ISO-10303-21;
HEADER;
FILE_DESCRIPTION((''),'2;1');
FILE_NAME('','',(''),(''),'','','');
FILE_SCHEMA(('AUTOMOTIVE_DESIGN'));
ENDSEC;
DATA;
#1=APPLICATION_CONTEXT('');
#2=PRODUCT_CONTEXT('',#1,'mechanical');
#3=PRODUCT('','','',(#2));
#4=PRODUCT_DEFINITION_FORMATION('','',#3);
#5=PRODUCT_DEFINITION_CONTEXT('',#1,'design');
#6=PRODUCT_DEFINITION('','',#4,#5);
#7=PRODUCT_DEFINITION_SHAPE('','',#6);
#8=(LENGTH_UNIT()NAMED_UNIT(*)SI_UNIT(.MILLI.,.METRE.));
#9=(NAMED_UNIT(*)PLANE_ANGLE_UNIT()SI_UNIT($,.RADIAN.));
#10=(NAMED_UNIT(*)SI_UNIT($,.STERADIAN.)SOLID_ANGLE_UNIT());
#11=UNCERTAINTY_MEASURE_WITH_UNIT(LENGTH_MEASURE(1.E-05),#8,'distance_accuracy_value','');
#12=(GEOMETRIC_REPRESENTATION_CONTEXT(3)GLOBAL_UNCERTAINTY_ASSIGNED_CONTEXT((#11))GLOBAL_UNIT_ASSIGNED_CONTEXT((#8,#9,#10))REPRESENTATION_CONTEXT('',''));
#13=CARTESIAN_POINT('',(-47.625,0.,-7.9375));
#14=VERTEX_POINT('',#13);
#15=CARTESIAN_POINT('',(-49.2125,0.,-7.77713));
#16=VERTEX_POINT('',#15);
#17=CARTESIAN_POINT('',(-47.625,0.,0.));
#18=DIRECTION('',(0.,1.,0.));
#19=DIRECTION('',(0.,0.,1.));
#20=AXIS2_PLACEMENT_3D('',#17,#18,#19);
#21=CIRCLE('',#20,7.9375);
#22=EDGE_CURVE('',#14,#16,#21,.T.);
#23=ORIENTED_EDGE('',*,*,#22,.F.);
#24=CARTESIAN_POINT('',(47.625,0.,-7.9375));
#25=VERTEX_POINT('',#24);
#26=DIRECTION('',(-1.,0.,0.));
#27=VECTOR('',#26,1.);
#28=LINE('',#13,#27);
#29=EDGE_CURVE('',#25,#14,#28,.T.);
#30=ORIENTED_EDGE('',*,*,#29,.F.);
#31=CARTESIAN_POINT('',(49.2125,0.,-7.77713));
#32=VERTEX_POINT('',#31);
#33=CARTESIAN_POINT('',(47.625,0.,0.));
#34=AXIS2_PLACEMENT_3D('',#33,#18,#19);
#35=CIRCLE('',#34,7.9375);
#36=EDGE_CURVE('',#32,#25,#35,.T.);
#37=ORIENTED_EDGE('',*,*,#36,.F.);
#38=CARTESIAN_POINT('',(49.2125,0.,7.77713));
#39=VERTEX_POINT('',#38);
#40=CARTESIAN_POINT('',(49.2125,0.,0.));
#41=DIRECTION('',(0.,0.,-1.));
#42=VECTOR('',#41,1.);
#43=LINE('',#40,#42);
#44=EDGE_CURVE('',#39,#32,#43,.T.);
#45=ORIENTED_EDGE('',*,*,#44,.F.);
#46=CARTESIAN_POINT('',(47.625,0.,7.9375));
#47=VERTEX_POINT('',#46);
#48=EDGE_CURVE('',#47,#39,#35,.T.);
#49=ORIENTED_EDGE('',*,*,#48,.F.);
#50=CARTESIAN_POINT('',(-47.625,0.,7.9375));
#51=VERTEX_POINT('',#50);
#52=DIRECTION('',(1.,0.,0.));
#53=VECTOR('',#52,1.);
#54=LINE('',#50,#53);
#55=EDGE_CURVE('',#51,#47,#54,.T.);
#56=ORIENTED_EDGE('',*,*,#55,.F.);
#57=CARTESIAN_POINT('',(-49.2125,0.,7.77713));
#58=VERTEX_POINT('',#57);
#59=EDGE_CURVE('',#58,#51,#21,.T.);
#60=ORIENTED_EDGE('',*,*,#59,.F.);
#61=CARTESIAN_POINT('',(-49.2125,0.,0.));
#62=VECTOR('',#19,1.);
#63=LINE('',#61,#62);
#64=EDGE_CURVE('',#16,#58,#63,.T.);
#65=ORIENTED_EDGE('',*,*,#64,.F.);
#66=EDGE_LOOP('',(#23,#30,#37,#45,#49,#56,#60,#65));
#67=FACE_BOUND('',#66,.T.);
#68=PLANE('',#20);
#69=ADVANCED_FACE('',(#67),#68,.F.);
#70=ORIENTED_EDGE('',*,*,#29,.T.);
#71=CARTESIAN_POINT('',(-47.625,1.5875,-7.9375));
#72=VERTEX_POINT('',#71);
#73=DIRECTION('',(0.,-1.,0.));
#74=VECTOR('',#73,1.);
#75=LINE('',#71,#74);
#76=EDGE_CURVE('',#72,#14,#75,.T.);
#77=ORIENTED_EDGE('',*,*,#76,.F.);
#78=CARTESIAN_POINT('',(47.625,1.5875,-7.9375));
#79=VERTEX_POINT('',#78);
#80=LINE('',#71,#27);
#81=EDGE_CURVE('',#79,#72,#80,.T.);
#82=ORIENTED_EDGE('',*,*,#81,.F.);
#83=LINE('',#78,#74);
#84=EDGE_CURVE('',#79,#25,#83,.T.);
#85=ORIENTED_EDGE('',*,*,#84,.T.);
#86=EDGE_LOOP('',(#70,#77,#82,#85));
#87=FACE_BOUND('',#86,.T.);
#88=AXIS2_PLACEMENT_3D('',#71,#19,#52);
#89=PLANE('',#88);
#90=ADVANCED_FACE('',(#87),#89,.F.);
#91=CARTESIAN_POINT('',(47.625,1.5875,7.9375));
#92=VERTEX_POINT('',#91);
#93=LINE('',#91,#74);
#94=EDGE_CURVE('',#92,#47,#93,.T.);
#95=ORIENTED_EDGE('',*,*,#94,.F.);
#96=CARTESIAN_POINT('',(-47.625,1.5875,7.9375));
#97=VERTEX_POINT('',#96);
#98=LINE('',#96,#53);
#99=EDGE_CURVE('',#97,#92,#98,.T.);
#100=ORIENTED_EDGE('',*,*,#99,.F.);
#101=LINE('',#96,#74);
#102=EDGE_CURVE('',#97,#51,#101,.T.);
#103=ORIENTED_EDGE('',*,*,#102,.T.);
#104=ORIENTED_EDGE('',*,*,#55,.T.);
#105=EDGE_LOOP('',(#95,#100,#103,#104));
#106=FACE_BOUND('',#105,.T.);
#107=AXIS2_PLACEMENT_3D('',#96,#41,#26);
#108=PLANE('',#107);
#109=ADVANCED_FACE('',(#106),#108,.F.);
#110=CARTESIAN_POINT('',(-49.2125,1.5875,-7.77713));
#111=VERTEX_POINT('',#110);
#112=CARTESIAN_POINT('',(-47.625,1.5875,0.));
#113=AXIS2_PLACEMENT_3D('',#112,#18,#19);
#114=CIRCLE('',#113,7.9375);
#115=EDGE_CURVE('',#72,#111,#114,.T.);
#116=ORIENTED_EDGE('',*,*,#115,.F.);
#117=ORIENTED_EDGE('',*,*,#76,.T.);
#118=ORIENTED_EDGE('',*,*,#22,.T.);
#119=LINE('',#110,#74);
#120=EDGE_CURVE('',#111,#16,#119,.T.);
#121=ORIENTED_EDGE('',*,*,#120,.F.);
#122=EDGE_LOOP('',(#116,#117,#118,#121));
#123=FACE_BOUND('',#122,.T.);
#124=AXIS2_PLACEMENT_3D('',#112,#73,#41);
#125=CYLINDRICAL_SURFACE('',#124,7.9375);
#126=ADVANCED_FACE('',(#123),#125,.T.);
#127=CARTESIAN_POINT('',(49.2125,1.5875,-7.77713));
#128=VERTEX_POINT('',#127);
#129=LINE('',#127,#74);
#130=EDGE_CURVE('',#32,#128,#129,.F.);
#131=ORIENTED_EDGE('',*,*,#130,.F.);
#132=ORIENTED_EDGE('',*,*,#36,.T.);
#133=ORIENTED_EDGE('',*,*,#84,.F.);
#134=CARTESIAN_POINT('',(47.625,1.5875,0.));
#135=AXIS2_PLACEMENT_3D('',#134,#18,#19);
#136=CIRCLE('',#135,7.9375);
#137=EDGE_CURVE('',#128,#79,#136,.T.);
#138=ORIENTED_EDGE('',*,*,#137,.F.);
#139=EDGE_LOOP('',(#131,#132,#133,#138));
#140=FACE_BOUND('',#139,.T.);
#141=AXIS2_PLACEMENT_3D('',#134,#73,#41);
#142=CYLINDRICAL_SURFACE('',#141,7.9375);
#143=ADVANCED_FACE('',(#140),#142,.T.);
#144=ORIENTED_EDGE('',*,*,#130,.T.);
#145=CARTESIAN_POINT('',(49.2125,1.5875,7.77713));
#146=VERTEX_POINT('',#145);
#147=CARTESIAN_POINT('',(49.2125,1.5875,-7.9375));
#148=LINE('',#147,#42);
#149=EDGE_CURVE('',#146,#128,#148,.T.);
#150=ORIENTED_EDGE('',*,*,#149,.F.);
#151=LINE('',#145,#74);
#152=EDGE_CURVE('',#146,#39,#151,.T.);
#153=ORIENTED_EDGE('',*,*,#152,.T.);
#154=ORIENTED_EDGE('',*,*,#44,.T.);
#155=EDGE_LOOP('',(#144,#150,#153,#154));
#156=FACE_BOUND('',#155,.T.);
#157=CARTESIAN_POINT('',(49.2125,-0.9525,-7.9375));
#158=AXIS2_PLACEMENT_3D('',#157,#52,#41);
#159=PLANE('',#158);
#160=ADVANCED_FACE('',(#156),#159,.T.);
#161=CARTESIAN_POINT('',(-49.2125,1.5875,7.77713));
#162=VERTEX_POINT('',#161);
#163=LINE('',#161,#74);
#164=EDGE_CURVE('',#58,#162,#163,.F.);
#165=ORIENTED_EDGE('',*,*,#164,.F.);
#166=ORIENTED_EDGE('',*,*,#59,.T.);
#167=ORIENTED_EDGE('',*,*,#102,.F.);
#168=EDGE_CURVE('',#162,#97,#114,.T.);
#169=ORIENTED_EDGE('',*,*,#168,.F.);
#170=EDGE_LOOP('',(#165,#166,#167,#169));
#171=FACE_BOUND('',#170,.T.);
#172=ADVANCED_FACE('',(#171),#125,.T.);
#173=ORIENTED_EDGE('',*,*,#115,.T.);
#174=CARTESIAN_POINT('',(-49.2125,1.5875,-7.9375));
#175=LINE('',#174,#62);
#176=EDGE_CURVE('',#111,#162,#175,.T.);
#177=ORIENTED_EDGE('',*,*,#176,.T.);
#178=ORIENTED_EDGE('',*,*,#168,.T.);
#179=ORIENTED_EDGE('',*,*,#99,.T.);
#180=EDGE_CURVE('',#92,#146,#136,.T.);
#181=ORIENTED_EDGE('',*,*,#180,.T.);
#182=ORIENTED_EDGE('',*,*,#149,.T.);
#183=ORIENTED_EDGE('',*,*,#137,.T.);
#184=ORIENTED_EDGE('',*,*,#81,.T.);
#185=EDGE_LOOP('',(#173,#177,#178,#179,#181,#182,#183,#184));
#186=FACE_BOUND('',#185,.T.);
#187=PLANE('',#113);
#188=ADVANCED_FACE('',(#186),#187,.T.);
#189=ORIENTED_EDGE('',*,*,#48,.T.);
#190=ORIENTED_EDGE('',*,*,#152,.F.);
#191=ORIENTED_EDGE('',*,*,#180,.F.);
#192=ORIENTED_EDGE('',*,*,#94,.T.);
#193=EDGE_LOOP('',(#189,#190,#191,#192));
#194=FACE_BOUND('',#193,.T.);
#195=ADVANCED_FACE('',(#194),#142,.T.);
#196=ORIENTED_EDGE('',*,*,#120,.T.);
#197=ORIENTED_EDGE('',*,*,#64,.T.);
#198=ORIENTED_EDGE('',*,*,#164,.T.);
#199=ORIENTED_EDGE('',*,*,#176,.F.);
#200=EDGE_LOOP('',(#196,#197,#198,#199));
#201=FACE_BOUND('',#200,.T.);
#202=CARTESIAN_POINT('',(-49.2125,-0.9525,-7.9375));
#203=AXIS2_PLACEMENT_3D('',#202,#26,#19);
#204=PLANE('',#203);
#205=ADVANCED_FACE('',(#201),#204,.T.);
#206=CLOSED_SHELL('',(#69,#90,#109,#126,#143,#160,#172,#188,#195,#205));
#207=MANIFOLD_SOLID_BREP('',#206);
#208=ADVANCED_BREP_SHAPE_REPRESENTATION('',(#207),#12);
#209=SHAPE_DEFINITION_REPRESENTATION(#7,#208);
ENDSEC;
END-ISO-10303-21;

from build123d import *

# Parameters (mm, degrees)
BOSS_EXTRUDE1_DEPTH = 1.5875
SKETCH2_W           = 131.81654989
SKETCH2_H           = 36.580669347
SKETCH2_W_2         = 98.425
SKETCH2_H_2         = 15.875
CUT_EXTRUDE1_DEPTH  = 2.54


with BuildPart() as part:
    # Sketch1 → Boss-Extrude1 (new body)
    with BuildSketch(Plane(origin=(0, 0, 0), x_dir=(1, 0, 0), z_dir=(0, 1, 0))):
        with BuildLine():
            Line((-47.625, 7.9375), (47.625, 7.9375))
            ThreePointArc((47.625, 7.9375), (55.5625, 0), (47.625, -7.9375))
            Line((47.625, -7.9375), (-47.625, -7.9375))
            ThreePointArc((-47.625, -7.9375), (-55.5625, 0), (-47.625, 7.9375))
        make_face()
    extrude(amount=BOSS_EXTRUDE1_DEPTH)

    # Sketch2 → Cut-Extrude1 (cut)
    with BuildSketch(Plane(origin=(0, 1.5875, 0), x_dir=(1, 0, 0), z_dir=(0, 1, 0))):
        with Locations((1.471605837, -0.35764579)):
            Rectangle(SKETCH2_W, SKETCH2_H)
        Rectangle(SKETCH2_W_2, SKETCH2_H_2, mode=Mode.SUBTRACT)
    extrude(amount=-CUT_EXTRUDE1_DEPTH, mode=Mode.SUBTRACT)


solid = part.part
